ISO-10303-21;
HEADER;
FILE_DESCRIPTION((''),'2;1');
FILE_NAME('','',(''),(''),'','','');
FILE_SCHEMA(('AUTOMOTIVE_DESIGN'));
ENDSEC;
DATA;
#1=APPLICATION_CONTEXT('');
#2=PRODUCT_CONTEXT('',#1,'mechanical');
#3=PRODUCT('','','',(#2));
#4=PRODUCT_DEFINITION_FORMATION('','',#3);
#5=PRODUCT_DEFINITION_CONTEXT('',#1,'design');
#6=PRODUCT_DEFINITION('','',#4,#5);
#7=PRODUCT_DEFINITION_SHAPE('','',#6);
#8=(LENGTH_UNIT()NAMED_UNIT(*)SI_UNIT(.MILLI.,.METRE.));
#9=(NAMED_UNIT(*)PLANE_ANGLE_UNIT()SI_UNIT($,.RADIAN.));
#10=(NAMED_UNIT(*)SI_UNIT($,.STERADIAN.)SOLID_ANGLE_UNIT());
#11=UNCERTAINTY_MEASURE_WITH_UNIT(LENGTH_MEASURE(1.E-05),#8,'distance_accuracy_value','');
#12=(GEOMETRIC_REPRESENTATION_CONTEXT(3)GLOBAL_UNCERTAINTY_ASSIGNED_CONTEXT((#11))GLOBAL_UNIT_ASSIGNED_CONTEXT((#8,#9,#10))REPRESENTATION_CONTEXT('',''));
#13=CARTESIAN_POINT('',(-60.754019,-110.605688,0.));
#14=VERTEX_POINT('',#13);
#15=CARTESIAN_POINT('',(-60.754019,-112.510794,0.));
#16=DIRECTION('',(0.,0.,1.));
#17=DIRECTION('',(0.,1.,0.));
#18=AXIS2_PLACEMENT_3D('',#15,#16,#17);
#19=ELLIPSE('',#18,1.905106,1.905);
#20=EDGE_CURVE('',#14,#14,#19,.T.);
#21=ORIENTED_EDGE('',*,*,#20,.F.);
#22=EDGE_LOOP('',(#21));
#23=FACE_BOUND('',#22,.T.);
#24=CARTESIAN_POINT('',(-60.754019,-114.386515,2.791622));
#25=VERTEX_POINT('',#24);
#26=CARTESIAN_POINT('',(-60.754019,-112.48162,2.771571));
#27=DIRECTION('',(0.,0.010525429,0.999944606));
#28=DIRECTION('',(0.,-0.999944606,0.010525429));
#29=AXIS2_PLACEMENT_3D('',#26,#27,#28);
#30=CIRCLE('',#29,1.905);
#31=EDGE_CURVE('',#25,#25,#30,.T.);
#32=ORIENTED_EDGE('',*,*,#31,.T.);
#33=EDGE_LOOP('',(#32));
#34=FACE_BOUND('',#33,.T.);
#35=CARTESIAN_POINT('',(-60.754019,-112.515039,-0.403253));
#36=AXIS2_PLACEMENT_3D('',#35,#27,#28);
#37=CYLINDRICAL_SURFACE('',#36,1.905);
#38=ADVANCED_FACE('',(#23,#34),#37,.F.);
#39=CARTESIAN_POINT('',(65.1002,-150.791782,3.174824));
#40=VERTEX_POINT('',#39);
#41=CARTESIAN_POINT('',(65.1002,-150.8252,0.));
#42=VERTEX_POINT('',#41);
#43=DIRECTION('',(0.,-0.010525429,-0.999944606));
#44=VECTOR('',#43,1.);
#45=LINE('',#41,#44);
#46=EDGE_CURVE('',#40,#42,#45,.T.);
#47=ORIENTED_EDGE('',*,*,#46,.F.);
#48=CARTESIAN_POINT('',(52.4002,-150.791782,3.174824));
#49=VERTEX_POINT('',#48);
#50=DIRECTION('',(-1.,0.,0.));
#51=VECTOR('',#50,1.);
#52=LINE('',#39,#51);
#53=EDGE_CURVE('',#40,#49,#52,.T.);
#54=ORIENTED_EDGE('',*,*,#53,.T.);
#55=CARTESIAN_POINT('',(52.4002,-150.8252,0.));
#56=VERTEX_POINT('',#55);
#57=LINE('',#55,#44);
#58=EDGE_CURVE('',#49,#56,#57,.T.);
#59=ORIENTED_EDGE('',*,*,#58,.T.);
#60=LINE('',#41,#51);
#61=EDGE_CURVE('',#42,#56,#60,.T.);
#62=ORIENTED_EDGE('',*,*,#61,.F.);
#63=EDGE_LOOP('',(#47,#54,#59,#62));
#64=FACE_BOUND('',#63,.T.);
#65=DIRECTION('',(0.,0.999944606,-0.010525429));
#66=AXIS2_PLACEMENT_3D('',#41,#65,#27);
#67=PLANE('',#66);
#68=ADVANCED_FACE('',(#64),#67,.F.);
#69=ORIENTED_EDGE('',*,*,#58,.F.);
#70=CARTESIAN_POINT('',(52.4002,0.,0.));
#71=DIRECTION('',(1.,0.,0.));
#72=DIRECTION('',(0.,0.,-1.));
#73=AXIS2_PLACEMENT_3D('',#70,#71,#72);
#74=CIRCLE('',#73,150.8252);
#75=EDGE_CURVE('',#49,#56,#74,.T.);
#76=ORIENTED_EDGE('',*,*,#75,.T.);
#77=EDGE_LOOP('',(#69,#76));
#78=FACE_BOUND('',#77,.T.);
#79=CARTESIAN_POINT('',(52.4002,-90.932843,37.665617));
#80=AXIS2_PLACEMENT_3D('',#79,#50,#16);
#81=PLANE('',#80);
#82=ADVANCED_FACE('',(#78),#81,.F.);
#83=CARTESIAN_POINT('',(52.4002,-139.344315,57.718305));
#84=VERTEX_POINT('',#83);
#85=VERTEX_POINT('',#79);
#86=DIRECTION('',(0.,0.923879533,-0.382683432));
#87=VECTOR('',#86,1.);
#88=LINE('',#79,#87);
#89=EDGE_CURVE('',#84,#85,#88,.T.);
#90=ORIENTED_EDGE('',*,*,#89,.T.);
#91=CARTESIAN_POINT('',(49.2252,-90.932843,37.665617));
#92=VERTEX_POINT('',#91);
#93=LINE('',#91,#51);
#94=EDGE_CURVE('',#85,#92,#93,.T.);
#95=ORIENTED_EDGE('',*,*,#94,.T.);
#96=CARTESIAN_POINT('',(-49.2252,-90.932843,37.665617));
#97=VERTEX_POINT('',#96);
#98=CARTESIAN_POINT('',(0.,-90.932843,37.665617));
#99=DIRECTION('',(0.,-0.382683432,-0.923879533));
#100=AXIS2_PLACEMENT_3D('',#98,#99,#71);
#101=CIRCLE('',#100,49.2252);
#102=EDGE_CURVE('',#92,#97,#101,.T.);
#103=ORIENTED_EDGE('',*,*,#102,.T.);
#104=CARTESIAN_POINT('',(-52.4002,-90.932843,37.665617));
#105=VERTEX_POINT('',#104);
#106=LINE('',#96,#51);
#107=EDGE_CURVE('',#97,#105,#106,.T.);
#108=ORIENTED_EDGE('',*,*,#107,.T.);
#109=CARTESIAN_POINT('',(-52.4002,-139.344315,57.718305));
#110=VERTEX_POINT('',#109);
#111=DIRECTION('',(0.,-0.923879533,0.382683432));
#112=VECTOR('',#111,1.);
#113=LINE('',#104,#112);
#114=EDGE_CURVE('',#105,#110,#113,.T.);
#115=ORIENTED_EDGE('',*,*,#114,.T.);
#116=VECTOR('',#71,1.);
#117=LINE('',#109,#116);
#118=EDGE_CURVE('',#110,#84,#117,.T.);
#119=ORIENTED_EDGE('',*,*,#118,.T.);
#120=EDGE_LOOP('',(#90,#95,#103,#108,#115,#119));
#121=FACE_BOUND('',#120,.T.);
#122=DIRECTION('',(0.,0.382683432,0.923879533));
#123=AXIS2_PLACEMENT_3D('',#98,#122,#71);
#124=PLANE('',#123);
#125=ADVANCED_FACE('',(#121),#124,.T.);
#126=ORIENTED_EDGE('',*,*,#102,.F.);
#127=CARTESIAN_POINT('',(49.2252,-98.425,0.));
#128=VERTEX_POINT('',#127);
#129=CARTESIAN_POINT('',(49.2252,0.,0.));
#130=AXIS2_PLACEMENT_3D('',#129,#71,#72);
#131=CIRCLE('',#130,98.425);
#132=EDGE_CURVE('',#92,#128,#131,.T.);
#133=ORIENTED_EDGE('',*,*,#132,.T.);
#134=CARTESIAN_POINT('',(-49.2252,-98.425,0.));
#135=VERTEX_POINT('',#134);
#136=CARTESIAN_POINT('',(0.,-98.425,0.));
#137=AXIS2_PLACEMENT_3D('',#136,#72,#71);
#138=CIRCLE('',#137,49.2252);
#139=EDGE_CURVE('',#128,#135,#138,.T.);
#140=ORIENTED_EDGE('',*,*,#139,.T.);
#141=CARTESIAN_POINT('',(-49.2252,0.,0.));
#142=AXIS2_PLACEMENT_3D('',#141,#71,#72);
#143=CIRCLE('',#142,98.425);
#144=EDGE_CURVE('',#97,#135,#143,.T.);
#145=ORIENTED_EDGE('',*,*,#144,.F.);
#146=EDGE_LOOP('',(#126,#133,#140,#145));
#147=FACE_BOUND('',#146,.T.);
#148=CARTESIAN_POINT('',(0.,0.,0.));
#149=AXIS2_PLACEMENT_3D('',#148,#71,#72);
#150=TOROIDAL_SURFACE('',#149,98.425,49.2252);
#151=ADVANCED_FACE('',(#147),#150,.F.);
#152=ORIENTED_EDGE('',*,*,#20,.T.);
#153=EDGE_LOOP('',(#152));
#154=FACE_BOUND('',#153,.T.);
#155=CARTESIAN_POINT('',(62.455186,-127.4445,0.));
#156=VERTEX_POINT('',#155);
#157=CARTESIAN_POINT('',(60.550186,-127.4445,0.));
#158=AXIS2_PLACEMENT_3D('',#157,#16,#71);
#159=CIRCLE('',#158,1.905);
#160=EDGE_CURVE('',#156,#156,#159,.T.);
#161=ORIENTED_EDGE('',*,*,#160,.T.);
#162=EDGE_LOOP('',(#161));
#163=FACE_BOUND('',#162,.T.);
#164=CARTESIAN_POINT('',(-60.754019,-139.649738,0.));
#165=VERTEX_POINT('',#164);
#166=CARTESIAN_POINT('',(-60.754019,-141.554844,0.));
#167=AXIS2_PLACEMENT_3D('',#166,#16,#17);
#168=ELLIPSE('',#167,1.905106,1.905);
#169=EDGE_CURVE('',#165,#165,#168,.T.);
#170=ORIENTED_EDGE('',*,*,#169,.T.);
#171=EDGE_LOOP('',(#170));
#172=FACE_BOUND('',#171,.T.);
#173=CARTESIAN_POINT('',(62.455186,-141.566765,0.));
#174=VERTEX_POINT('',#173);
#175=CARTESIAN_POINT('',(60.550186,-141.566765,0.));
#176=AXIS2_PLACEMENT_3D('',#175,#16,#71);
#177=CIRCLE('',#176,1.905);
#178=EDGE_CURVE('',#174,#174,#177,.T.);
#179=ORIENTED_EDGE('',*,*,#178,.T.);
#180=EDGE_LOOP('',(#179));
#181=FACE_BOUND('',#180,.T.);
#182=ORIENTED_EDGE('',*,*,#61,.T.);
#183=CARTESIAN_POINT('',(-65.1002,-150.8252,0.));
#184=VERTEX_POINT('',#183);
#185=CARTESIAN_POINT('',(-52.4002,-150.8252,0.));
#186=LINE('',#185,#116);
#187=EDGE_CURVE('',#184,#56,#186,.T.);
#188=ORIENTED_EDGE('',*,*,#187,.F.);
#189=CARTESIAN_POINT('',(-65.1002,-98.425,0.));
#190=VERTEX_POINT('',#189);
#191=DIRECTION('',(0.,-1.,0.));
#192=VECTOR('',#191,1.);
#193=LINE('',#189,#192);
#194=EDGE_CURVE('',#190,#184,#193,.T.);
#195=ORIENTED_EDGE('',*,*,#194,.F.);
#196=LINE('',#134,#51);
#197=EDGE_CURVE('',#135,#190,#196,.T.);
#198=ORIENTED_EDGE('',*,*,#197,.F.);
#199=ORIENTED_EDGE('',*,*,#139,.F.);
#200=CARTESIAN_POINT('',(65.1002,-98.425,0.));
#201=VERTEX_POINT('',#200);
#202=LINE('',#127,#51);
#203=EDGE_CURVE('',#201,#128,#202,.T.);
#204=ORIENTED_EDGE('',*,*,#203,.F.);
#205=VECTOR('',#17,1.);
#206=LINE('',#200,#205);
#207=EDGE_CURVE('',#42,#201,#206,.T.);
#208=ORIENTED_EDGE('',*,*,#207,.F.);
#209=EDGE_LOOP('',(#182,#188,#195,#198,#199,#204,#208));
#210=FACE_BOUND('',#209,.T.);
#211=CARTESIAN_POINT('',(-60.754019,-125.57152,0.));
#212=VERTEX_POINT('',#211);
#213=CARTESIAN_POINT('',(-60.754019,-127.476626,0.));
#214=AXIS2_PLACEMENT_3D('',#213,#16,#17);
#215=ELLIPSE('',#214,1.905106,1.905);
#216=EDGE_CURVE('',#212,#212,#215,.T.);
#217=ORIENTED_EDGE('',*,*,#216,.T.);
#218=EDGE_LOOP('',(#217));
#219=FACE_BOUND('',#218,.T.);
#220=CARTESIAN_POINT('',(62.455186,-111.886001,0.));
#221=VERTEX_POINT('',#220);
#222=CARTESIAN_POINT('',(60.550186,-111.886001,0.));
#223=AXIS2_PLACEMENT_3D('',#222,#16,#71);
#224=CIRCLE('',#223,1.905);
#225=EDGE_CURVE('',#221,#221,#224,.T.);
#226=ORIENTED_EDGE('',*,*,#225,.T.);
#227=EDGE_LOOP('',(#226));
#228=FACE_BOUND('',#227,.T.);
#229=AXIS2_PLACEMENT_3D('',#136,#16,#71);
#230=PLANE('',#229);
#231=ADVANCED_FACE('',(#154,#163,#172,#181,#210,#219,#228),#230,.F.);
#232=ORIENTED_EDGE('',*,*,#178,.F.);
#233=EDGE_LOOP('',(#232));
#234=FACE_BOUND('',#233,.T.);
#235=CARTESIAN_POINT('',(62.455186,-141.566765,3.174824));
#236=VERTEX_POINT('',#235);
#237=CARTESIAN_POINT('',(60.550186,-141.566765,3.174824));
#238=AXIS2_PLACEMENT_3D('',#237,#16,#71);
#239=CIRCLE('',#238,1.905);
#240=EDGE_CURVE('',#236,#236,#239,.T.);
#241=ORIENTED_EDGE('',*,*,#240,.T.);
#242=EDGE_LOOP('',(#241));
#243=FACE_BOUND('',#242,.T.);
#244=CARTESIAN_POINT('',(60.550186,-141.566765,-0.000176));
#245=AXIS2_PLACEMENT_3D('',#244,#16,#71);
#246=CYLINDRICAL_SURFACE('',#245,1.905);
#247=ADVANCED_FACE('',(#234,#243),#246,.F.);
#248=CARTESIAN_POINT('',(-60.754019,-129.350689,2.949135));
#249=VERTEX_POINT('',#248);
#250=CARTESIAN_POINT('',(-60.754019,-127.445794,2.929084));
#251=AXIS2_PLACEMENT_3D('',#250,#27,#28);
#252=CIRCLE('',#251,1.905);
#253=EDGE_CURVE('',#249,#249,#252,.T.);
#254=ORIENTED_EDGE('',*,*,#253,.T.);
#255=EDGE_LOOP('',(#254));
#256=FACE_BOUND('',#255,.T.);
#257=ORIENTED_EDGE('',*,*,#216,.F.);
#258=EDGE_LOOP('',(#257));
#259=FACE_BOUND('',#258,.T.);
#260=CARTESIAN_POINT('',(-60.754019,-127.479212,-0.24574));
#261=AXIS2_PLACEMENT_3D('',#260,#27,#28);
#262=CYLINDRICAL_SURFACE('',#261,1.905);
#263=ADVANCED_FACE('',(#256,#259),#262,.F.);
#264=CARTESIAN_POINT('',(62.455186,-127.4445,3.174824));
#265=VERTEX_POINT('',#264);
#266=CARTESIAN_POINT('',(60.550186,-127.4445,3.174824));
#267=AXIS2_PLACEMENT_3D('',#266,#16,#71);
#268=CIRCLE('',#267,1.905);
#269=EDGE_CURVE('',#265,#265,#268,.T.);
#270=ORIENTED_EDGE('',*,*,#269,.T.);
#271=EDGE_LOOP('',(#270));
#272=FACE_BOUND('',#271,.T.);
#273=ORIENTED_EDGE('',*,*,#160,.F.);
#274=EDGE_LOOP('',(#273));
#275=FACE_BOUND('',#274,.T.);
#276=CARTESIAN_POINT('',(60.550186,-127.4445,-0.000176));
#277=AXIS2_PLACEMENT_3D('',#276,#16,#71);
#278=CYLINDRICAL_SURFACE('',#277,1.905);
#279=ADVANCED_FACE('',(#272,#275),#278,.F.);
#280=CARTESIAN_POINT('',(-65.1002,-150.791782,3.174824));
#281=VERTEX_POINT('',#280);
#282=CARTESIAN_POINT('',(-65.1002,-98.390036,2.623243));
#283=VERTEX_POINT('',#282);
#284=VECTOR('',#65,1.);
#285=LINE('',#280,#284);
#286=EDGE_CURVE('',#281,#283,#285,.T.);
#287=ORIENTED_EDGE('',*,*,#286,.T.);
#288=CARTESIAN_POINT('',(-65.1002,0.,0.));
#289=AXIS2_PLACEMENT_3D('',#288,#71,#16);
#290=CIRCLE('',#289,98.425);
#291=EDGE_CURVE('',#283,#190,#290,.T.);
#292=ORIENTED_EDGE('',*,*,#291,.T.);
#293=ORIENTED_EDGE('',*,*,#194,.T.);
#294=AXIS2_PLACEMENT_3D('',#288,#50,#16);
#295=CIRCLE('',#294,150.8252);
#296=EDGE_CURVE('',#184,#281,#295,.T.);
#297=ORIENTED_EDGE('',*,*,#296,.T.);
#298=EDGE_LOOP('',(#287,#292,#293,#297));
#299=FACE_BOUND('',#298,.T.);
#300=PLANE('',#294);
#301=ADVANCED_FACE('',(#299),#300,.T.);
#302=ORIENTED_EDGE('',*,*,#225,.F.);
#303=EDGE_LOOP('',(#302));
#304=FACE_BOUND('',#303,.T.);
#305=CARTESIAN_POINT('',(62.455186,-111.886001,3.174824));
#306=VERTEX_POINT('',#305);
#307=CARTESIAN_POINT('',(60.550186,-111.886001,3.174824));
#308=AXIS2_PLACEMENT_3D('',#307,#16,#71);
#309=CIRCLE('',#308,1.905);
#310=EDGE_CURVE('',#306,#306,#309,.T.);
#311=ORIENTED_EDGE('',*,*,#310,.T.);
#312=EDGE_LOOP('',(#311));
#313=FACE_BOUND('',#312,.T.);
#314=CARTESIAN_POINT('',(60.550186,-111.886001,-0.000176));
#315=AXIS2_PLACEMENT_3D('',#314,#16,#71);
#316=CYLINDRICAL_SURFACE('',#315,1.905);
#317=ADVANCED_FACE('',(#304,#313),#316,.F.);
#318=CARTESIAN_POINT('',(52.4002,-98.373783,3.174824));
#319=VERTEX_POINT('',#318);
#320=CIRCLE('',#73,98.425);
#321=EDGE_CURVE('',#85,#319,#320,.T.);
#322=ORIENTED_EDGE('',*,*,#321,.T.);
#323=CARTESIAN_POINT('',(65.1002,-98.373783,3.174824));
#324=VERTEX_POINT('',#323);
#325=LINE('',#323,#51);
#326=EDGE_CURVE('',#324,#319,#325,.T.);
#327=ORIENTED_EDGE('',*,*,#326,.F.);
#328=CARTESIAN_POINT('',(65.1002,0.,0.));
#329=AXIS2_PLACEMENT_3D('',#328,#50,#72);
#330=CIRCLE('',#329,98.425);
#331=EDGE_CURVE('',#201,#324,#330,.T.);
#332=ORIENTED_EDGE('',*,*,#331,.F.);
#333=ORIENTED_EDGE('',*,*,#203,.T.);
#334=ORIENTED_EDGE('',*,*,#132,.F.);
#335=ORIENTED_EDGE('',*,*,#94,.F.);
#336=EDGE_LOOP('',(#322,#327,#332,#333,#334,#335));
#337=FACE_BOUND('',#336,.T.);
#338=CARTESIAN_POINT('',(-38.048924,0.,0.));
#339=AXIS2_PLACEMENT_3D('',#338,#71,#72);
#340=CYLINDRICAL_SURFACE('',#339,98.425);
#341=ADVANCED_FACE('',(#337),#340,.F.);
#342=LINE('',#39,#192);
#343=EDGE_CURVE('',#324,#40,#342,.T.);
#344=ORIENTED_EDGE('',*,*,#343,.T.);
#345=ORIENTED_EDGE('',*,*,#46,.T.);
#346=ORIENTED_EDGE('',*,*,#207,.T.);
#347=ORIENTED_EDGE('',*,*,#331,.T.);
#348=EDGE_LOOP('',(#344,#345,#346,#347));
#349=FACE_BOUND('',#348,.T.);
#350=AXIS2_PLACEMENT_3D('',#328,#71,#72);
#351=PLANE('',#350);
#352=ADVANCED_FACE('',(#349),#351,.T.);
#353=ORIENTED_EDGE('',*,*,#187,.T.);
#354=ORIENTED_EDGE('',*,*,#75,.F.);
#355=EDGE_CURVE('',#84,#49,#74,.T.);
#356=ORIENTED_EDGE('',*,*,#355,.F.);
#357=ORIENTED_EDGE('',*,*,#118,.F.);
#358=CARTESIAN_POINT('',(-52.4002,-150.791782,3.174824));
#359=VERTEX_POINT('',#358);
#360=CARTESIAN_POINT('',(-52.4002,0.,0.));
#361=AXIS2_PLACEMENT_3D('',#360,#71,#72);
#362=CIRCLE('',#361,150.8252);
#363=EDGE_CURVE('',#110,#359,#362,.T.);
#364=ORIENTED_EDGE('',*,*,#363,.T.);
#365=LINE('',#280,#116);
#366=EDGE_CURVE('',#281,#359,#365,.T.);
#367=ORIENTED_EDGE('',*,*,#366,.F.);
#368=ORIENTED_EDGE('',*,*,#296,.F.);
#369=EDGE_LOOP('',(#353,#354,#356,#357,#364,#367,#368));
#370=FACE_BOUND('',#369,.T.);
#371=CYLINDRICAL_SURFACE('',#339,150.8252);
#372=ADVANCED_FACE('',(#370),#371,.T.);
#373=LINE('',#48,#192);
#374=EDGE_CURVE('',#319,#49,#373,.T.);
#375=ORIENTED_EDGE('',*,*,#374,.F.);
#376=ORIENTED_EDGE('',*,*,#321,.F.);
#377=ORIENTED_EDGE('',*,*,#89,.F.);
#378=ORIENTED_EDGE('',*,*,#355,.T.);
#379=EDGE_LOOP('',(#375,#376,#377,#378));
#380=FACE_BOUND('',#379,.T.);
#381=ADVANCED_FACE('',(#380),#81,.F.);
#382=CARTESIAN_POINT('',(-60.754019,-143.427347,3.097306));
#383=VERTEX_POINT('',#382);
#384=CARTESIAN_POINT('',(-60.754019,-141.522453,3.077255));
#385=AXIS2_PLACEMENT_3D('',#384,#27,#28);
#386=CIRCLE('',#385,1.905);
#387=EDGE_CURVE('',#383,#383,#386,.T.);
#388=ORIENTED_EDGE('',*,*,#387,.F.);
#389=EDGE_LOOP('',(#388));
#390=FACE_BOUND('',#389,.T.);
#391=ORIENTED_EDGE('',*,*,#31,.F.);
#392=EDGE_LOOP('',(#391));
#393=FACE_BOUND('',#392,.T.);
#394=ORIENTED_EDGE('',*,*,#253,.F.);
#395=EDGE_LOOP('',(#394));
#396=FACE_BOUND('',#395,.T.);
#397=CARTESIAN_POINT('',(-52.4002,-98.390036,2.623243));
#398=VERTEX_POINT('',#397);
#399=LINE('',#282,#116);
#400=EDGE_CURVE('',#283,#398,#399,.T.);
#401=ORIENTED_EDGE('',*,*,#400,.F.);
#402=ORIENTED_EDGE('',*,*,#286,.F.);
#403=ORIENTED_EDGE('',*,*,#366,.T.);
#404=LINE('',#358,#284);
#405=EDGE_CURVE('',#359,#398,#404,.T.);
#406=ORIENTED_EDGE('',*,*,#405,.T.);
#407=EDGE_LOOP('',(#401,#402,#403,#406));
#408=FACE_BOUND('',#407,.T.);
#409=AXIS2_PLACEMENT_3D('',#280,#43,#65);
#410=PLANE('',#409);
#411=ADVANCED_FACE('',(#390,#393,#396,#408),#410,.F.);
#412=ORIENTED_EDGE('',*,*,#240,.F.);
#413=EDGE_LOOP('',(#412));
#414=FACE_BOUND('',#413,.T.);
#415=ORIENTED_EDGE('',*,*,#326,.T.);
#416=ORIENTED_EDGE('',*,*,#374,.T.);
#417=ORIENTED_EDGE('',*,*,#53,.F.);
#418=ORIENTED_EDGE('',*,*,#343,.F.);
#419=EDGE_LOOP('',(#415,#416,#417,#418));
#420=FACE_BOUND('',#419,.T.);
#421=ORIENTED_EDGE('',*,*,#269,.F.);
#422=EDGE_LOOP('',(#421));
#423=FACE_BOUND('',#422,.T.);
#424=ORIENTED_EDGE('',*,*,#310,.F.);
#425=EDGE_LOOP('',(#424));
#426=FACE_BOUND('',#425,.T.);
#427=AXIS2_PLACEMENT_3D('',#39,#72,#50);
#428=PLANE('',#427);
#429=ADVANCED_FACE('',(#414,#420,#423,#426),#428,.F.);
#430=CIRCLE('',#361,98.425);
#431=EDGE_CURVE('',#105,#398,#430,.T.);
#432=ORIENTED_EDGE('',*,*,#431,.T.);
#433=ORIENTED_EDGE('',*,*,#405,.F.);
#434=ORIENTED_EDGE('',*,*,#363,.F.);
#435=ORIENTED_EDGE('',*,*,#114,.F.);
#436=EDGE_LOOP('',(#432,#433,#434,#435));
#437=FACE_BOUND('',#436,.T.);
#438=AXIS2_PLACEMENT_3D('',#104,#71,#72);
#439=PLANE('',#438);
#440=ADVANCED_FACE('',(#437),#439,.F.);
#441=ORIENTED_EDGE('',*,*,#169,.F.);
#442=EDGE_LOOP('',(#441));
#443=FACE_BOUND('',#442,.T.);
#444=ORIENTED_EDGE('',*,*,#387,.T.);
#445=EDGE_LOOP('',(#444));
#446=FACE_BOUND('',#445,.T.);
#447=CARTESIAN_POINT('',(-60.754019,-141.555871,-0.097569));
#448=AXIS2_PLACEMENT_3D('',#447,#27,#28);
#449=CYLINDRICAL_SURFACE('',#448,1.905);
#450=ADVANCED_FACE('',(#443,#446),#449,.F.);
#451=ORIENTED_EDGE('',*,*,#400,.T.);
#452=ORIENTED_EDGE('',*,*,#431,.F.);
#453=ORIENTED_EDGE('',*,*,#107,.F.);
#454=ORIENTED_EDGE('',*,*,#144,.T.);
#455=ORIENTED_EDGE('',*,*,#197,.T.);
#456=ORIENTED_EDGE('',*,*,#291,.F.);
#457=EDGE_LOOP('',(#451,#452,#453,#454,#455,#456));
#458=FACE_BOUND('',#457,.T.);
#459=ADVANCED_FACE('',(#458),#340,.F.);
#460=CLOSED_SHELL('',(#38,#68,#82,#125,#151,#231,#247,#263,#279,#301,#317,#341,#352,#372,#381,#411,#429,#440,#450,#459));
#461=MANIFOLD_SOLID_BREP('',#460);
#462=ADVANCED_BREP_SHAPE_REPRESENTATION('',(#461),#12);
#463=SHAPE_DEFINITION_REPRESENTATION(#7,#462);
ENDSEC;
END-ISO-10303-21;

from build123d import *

# Parameters (mm, degrees)
REVOLVE8_ANGLE      = 22.5
BOSS_EXTRUDE3_START = 12.7
BOSS_EXTRUDE3_DEPTH = 12.7
BOSS_EXTRUDE4_DEPTH = 12.7
SKETCH12_R          = 1.905
CUT_EXTRUDE4_DEPTH  = 3.175
SKETCH13_R          = 1.905
CUT_EXTRUDE5_DEPTH  = 3.175


with BuildPart() as part:
    # Sketch9 → Revolve8 (revolve)
    with BuildSketch(Plane.XY):
        with BuildLine():
            Line((-49.2252, -98.425), (-52.4002, -98.425))
            Line((-52.4002, -98.425), (-52.4002, -150.8252))
            Line((-52.4002, -150.8252), (52.4002, -150.8252))
            Line((52.4002, -150.8252), (52.4002, -98.425))
            Line((52.4002, -98.425), (49.2252, -98.425))
            ThreePointArc((49.2252, -98.425), (0, -147.6502), (-49.2252, -98.425))
        make_face()
    revolve(axis=Axis((-38.048924234, 0, 0), (-1, 0, 0)), revolution_arc=REVOLVE8_ANGLE)

    # Sketch11 → Boss-Extrude3 (add)
    with BuildSketch(Plane.ZY.offset(52.4002).offset(BOSS_EXTRUDE3_START)):
        with BuildLine():
            Line((0, -98.425), (0, -150.8252))
            ThreePointArc((0, -150.8252), (1.5875, -150.816845209), (3.174824124, -150.791781762))
            Line((3.174824124, -150.791781762), (2.623242695, -98.390036197))
            ThreePointArc((2.623242695, -98.390036197), (1.311737846, -98.416258661), (0, -98.425))
        make_face()
    extrude(amount=-BOSS_EXTRUDE3_DEPTH)

    # Sketch10 → Boss-Extrude4 (add)
    with BuildSketch(Plane(origin=(52.4002, 0, 0), x_dir=(0, 0, -1), z_dir=(1, 0, 0))):
        with BuildLine():
            Line((0, -98.425), (0, -150.8252))
            Line((0, -150.8252), (-3.174824124, -150.791781762))
            Line((-3.174824124, -150.791781762), (-3.174824124, -98.37378267))
            ThreePointArc((-3.174824124, -98.37378267), (-1.587618613, -98.412194834), (0, -98.425))
        make_face()
    extrude(amount=BOSS_EXTRUDE4_DEPTH)

    # Sketch12 → Cut-Extrude4 (cut)
    with BuildSketch(Plane.XY.offset(3.174824124)):
        with Locations((60.550186424, -111.886000657)):
            Circle(SKETCH12_R)
        with Locations((60.550186424, -141.566764633)):
            Circle(SKETCH12_R)
        with Locations((60.550186424, -127.4445)):
            Circle(SKETCH12_R)
    extrude(amount=-CUT_EXTRUDE4_DEPTH, mode=Mode.SUBTRACT)

    # Sketch13 → Cut-Extrude5 (cut)
    with BuildSketch(Plane(origin=(0, -0.008353865, 1.587675876), x_dir=(1, 0, 0), z_dir=(-8.55203915581382e-15, 0.010525429437517081, 0.9999446061333377))):
        with Locations(Location((-60.754019077, -141.521938379, 0), (0, 0, 270))):
            Circle(SKETCH13_R)
        with Locations(Location((-60.754019077, -112.479497113, 0), (0, 0, 270))):
            Circle(SKETCH13_R)
        with Locations(Location((-60.754019077, -127.4445, 0), (0, 0, 270))):
            Circle(SKETCH13_R)
    extrude(amount=-CUT_EXTRUDE5_DEPTH, mode=Mode.SUBTRACT)


solid = part.part
